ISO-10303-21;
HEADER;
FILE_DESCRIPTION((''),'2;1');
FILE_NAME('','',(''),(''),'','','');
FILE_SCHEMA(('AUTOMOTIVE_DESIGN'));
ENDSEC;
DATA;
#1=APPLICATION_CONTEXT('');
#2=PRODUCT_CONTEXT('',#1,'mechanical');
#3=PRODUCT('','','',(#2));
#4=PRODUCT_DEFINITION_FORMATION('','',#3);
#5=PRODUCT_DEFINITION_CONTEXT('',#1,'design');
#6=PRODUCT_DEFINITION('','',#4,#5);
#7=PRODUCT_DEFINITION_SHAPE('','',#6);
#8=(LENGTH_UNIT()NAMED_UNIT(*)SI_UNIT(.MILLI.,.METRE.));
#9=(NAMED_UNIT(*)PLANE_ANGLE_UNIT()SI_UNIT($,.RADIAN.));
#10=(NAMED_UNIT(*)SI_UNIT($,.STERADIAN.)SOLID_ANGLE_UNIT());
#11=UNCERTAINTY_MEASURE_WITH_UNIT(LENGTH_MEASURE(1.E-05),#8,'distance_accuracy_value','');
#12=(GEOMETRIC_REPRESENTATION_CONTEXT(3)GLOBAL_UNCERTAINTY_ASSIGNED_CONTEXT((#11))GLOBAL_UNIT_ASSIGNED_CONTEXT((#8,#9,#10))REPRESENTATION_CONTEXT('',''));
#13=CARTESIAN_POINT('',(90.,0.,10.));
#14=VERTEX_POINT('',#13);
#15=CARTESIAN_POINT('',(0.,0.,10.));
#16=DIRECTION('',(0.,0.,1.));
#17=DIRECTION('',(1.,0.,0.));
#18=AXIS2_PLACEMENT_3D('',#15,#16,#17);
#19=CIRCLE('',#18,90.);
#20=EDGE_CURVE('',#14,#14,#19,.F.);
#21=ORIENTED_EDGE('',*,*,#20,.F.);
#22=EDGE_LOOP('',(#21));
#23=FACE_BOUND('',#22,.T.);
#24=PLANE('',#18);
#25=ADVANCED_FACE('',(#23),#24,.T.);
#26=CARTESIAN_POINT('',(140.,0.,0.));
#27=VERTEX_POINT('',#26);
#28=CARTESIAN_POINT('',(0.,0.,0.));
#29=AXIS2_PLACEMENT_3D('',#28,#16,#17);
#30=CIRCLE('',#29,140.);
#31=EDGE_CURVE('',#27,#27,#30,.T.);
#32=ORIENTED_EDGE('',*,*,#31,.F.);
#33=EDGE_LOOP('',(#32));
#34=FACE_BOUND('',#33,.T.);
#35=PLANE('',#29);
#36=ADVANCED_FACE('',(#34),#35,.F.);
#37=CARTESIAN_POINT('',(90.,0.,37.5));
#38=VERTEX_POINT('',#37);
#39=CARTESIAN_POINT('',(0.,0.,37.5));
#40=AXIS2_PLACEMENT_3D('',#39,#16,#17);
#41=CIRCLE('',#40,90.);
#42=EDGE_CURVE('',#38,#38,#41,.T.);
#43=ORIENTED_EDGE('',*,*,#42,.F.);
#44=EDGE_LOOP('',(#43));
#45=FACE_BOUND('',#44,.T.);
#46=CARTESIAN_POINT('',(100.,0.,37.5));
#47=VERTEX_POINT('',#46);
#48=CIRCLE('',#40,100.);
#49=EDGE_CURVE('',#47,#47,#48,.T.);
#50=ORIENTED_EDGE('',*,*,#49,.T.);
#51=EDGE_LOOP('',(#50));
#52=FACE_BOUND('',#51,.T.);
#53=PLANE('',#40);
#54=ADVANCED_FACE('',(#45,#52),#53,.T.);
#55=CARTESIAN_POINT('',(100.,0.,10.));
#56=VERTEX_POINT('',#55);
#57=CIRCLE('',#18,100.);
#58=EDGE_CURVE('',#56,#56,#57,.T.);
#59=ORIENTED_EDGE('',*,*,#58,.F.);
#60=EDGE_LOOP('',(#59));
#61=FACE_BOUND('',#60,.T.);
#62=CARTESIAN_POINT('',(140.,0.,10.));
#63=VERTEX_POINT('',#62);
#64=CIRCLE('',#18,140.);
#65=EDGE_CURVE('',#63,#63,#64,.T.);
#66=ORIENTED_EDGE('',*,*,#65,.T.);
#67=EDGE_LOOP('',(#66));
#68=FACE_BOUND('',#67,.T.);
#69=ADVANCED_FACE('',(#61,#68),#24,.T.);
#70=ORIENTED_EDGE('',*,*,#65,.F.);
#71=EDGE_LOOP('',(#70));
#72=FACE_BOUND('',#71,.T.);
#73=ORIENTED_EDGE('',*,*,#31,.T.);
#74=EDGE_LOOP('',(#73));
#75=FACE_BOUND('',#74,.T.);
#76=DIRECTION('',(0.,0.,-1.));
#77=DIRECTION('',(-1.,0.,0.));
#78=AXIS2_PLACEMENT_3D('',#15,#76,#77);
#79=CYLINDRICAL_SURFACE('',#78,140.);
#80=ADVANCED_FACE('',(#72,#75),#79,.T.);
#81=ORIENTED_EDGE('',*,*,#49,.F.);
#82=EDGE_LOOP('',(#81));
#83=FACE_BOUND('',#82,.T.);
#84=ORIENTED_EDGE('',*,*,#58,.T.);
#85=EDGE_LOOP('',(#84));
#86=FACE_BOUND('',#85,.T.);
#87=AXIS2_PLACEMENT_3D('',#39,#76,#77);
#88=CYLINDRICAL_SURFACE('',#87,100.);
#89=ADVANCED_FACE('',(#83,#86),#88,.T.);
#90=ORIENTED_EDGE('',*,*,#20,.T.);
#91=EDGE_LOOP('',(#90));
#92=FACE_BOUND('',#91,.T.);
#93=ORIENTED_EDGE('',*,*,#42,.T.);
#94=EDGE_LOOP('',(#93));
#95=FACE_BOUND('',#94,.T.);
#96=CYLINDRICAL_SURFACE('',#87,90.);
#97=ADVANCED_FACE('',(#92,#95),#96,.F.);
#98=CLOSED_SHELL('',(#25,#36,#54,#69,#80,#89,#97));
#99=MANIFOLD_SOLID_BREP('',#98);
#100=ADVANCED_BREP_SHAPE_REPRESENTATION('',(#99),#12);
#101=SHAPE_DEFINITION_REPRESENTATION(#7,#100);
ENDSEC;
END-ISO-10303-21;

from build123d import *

# Parameters (mm, degrees)
SKETCH_1_R      = 140
EXTRUDE_1_DEPTH = 10
SKETCH_2_R      = 100
SKETCH_2_R_2    = 90
EXTRUDE_2_DEPTH = 27.5


with BuildPart() as part:
    # 草图1 → 拉伸1 (new body)
    with BuildSketch(Plane.XY):
        Circle(SKETCH_1_R)
    extrude(amount=EXTRUDE_1_DEPTH)

    # 草图2 → 拉伸2 (add)
    with BuildSketch(Plane.XY.offset(10)):
        Circle(SKETCH_2_R)
        Circle(SKETCH_2_R_2, mode=Mode.SUBTRACT)
    extrude(amount=EXTRUDE_2_DEPTH)


solid = part.part
